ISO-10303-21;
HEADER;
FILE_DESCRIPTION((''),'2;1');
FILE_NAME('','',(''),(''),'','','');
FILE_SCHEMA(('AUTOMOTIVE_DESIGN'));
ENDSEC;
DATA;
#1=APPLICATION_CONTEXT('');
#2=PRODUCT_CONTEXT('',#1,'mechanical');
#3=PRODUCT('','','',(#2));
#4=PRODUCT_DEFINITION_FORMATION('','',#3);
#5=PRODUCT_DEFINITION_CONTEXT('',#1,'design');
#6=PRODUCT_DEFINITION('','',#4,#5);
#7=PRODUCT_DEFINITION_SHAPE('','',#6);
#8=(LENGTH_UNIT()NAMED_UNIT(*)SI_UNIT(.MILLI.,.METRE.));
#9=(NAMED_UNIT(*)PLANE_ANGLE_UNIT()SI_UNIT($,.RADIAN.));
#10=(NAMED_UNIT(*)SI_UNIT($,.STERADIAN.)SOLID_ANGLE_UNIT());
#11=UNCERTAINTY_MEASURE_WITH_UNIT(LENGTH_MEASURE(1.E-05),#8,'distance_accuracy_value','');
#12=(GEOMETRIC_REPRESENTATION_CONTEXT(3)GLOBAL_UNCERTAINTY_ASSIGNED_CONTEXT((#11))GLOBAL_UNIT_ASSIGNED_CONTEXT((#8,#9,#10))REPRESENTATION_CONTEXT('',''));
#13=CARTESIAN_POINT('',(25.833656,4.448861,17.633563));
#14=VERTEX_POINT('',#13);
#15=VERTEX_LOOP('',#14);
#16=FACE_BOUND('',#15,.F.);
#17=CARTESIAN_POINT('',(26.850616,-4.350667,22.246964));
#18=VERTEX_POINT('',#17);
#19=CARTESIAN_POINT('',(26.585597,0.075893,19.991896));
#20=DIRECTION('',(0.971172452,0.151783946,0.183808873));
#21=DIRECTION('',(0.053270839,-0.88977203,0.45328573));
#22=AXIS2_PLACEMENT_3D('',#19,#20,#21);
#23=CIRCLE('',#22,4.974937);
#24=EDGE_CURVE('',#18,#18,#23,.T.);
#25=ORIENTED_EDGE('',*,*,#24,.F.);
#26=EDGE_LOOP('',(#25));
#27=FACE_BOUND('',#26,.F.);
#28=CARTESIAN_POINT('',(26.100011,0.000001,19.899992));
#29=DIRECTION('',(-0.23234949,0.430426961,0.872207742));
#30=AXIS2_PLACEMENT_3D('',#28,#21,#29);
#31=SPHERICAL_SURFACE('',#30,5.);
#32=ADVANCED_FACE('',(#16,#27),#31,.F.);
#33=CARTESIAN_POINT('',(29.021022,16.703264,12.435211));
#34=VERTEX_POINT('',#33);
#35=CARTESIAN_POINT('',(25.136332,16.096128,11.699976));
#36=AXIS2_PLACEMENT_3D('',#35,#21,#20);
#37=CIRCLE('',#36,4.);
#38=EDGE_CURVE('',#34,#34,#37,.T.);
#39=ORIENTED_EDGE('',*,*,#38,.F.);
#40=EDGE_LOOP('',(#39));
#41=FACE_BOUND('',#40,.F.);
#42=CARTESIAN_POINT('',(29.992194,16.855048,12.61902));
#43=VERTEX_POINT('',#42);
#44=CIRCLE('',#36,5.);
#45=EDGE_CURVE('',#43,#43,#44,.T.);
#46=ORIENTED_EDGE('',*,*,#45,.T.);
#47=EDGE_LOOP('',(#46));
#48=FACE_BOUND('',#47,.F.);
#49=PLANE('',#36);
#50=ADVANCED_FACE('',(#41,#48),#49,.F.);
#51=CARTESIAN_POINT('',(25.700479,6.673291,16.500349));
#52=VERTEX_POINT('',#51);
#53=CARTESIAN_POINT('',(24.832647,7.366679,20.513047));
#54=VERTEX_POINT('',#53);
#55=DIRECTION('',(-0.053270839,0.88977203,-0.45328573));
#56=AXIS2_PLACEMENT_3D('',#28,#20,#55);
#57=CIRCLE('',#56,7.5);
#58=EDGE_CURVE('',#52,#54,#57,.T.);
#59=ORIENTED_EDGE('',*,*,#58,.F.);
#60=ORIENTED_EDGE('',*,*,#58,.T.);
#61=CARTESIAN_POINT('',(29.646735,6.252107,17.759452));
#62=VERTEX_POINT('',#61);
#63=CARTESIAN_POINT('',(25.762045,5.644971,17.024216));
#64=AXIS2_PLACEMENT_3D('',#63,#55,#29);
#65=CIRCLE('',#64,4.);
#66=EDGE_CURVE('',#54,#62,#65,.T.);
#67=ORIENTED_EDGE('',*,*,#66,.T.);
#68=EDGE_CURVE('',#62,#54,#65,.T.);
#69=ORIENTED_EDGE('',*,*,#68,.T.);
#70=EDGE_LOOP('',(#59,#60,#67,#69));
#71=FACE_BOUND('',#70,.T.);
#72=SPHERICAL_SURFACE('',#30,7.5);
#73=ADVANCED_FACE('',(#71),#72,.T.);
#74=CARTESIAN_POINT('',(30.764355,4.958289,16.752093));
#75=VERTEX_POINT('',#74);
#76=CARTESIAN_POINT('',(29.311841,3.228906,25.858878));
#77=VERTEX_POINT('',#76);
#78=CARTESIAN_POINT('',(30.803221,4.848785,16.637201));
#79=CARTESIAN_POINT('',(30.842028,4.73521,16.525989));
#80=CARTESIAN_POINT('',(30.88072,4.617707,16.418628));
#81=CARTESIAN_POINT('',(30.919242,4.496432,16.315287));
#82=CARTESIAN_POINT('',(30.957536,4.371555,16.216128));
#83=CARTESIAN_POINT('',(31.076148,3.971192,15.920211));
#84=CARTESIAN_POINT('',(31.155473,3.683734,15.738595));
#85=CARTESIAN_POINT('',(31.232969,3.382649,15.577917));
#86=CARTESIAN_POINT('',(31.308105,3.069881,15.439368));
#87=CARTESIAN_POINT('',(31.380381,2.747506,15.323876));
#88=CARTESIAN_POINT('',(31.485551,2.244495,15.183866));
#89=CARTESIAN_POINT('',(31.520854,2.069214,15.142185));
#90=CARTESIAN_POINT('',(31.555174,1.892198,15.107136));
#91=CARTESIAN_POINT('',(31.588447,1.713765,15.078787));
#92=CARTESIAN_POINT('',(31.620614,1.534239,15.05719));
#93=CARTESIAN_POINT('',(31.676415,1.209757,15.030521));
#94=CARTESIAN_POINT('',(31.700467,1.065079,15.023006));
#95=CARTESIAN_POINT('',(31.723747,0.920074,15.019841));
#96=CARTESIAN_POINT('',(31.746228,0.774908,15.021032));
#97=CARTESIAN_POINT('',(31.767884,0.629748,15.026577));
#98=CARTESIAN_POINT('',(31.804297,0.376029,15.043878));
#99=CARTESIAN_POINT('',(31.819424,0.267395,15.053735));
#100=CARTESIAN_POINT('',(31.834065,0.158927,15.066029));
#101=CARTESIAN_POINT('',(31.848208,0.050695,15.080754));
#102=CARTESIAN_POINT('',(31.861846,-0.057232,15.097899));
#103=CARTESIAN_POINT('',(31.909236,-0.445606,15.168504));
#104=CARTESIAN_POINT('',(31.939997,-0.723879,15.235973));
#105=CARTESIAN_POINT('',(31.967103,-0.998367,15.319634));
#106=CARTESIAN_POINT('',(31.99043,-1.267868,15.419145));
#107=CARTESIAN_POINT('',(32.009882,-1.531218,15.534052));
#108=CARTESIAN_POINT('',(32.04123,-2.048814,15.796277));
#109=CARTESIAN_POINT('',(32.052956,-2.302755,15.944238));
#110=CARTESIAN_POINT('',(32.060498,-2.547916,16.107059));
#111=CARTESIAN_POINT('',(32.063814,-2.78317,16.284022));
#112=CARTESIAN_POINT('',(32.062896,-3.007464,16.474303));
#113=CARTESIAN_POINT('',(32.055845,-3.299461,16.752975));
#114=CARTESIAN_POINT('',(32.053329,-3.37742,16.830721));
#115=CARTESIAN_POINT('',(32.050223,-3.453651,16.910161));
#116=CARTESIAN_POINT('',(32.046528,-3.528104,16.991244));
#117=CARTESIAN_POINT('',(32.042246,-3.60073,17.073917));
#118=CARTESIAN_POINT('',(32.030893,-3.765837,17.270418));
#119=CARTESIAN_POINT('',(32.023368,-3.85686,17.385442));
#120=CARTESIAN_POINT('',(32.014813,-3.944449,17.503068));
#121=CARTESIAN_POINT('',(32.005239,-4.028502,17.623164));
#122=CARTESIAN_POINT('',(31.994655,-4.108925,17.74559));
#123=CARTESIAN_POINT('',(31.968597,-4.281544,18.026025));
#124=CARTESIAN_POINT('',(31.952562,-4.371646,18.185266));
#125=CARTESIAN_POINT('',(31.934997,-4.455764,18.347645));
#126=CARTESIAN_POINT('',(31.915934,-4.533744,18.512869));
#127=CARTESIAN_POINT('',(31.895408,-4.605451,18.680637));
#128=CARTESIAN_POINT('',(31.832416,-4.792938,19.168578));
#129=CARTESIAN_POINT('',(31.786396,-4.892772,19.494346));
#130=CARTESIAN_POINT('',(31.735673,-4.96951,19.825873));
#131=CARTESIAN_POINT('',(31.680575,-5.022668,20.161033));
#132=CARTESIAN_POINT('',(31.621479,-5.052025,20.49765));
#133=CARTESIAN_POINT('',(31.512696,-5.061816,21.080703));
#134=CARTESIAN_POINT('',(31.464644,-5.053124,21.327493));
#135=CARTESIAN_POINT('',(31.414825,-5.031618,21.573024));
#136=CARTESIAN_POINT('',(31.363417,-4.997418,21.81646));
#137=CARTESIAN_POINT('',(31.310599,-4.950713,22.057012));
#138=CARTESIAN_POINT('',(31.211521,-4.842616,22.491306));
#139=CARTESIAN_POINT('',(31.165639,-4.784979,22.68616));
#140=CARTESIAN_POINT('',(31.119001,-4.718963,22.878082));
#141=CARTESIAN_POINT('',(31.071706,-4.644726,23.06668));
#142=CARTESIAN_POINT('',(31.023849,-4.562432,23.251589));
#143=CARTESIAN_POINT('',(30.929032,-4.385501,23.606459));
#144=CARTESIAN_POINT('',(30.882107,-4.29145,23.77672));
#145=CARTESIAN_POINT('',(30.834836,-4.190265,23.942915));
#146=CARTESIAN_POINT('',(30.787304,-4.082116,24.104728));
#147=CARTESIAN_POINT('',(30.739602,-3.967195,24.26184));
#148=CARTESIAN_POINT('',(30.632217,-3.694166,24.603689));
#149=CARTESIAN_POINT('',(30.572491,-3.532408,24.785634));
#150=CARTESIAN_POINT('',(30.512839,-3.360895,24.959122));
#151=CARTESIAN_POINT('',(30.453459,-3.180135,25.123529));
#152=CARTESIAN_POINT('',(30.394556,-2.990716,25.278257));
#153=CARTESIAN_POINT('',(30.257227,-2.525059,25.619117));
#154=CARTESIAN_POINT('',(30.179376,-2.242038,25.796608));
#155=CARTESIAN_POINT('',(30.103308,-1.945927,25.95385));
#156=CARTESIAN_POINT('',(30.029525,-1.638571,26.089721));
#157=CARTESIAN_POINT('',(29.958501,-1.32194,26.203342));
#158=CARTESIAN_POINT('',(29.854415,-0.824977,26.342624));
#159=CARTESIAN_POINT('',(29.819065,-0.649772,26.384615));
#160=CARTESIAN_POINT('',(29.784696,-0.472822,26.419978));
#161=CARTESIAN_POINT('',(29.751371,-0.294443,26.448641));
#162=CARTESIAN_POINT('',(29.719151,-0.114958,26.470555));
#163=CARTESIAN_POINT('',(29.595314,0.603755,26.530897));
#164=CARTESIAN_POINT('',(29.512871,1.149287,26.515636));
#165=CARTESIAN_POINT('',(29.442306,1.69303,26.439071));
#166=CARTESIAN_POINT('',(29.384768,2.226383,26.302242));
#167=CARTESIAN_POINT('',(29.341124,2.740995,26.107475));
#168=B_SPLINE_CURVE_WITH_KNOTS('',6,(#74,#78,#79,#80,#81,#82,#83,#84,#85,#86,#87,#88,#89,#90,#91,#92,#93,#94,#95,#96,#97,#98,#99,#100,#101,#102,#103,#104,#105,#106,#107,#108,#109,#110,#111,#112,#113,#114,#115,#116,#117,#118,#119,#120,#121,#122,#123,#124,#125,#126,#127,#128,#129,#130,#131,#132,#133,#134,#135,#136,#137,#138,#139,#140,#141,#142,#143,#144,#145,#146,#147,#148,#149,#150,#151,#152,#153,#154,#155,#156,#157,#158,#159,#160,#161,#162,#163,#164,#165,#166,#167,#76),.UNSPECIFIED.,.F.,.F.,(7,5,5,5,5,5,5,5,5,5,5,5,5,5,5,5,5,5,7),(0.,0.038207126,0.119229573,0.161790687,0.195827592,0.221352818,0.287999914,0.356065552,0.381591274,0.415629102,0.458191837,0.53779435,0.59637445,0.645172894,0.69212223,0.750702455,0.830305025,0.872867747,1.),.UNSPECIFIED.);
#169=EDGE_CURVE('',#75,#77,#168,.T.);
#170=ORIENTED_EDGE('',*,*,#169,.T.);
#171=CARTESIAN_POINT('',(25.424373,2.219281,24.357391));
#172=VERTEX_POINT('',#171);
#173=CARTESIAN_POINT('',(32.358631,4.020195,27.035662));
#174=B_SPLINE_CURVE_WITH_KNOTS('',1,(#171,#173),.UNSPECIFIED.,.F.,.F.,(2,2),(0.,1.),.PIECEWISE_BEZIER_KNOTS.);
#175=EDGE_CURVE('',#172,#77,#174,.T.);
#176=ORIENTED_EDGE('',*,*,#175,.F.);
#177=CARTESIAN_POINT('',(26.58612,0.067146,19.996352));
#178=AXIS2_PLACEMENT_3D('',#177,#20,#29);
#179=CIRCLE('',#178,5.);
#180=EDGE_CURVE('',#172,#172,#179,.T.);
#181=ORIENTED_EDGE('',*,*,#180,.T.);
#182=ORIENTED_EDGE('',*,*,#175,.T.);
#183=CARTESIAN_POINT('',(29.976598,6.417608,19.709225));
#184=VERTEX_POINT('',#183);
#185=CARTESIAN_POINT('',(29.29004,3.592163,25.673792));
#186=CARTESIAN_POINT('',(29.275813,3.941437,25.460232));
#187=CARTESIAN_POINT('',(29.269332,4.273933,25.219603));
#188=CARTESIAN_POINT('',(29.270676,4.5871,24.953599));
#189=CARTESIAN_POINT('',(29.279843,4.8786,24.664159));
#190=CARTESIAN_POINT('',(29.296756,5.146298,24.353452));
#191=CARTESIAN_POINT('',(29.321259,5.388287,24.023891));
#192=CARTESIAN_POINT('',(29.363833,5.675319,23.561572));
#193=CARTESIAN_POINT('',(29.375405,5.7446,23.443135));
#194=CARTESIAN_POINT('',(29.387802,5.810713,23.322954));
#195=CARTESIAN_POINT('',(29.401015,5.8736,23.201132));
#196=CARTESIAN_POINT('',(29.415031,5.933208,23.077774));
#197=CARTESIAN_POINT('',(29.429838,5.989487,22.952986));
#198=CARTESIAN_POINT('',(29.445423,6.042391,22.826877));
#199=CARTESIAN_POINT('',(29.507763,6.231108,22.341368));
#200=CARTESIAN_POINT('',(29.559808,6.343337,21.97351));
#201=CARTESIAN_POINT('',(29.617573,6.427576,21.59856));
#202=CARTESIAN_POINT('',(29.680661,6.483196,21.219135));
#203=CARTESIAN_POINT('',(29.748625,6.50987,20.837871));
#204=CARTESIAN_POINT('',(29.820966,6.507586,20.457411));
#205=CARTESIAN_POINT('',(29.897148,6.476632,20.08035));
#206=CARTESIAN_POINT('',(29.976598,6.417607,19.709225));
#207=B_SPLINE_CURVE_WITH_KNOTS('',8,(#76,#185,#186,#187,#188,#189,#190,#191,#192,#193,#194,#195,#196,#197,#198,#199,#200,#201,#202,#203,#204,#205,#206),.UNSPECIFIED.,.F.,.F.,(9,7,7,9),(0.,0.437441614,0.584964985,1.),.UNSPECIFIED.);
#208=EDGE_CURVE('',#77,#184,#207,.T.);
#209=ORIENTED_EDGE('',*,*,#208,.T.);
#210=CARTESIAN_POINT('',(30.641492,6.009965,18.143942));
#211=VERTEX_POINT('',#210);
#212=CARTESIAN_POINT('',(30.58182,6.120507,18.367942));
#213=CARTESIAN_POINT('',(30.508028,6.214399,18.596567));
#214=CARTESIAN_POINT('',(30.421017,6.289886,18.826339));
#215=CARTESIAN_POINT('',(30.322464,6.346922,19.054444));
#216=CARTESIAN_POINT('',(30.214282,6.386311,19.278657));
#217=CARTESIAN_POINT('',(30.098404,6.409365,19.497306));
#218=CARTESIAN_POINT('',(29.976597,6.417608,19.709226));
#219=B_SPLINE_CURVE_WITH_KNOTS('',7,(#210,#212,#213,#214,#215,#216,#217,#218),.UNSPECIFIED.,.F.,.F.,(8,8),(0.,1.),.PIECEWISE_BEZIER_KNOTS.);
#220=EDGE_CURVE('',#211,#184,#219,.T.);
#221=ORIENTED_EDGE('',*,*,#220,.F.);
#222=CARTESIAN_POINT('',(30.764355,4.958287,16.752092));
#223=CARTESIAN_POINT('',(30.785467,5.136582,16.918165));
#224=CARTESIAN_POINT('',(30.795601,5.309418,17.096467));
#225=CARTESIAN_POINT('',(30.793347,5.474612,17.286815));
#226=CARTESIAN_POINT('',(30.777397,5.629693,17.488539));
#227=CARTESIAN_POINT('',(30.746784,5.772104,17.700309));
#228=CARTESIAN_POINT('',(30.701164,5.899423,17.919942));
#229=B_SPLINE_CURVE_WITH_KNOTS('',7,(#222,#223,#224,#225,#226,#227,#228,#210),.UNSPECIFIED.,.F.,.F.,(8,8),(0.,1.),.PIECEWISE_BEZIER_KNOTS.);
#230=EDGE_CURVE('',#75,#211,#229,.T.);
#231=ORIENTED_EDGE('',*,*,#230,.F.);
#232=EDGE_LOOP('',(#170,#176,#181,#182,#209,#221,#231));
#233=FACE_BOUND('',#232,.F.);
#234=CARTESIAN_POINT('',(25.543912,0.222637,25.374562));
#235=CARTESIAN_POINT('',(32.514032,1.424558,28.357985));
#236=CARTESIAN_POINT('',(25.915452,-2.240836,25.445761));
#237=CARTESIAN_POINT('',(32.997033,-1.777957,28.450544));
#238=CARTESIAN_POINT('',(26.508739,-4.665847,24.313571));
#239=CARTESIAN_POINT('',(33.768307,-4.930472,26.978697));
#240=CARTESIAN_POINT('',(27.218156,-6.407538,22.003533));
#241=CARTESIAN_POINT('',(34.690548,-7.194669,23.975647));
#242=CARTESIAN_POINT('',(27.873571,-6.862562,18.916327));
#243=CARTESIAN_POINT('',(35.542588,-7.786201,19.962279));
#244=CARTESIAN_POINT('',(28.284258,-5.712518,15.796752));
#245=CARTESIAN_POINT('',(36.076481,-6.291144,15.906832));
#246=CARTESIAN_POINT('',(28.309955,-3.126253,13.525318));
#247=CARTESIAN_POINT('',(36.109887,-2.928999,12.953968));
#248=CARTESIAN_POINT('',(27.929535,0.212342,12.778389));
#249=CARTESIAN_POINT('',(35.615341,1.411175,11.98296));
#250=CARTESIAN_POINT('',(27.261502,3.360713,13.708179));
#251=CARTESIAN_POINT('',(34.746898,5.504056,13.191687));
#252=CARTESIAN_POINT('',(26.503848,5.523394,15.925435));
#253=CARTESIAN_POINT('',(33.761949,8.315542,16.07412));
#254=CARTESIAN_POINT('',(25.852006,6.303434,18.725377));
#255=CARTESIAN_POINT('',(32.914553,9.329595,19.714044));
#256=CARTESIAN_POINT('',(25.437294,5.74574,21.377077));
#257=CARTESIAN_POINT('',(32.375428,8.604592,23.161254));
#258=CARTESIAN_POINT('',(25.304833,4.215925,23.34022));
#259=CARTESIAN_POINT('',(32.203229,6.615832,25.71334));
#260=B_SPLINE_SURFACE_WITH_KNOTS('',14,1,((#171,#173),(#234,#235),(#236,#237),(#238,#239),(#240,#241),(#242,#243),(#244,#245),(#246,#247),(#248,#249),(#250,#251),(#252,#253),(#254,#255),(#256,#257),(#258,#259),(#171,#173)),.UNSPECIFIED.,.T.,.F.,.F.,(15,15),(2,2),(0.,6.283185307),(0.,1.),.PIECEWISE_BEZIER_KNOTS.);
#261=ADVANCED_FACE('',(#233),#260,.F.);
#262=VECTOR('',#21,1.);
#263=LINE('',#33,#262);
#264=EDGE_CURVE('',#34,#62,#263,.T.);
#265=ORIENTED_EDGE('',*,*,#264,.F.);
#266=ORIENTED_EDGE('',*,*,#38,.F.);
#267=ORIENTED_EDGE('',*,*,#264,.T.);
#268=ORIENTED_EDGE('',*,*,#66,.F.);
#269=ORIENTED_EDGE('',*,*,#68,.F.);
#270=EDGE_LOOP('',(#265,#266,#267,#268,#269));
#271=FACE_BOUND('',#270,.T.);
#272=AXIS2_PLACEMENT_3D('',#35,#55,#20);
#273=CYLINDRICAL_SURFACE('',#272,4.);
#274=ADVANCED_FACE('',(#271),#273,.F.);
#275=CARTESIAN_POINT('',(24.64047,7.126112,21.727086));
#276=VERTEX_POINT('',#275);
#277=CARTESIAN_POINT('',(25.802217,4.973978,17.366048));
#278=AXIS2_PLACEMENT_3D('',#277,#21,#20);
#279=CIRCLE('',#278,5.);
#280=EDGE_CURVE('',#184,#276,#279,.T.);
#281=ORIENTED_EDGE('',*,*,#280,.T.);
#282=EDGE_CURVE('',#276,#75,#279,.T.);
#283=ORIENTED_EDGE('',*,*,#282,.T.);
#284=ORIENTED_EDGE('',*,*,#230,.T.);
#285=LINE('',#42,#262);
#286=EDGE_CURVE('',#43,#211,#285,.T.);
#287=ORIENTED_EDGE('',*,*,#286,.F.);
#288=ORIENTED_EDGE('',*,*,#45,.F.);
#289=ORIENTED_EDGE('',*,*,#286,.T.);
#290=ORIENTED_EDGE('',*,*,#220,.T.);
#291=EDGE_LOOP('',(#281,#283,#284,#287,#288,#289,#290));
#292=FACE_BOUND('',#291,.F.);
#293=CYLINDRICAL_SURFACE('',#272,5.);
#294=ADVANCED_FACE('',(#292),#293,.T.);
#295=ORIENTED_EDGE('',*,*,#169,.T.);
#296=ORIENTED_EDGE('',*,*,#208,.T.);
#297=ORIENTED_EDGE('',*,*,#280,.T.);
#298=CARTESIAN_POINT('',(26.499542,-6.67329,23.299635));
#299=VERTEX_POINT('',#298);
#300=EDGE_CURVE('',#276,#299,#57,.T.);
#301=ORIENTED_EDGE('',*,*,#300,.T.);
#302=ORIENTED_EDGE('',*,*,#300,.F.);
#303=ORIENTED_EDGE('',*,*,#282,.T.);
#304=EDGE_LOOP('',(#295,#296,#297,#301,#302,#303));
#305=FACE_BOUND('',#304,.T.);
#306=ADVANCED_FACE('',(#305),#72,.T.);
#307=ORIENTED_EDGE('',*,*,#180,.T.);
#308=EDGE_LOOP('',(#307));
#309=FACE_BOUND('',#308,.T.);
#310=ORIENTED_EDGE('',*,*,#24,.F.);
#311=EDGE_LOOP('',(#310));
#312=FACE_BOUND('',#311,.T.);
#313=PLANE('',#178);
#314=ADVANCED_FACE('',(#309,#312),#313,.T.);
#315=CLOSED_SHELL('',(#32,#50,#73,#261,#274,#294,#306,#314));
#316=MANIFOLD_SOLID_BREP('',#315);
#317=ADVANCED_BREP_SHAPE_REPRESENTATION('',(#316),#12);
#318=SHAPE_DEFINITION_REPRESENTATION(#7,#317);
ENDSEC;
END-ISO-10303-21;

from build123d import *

# Parameters (mm, degrees)
SKETCH004_R             = 5
SKETCH004_R_2           = 4
PAD002_DEPTH            = 12.5
SKETCH006_R             = 5
SKETCH007_R             = 6.5
BODY001_ROLL_ANGLE      = 62.539133
BODY001_PITCH_ANGLE     = -10.591695
BODY001_PLACEMENT_ANGLE = 8.882862


with BuildPart() as part:
    # Sketch004 → Pad002 (new body)
    with BuildSketch(Plane.XY):
        Circle(SKETCH004_R)
        Circle(SKETCH004_R_2, mode=Mode.SUBTRACT)
    extrude(amount=PAD002_DEPTH)

    # Sketch005 → Revolution002 (revolve)
    with BuildSketch(Plane.YZ):
        with BuildLine():
            ThreePointArc((0, 10.59017), (7.5, 18.09017), (0, 25.59017))
            Line((0, 25.59017), (0, 23.09017))
            ThreePointArc((0, 13.09017), (5, 18.09017), (0, 23.09017))
            Line((0, 13.09017), (0, 10.59017))
        make_face()
    revolve(axis=Axis((0, 0, 0), (0, 0, 1)))

    # Sketch006 (on DatumPlane) → SubtractiveLoft section 0
    with BuildSketch(Plane.YZ.offset(0.5)):
        with Locations((0, 18.1)):
            Circle(SKETCH006_R)
    # Sketch007 (on DatumPlane) → SubtractiveLoft section 1
    with BuildSketch(Plane.YZ.offset(8)):
        with Locations((0, 18.081013)):
            Circle(SKETCH007_R)
    loft(mode=Mode.SUBTRACT)


with BuildPart() as part_1:
    # Body001 roll: moved
    add(part.part.rotate(Axis((0, 0, 0), (1, 0, 0)), BODY001_ROLL_ANGLE))


with BuildPart() as part_2:
    # Body001 pitch: moved
    add(part_1.part.rotate(Axis((0, 0, 0), (0, 1, 0)), BODY001_PITCH_ANGLE))


with BuildPart() as part_3:
    # Body001 placement: moved
    add(part_2.part.moved(Location((25.136332, 16.096128, 11.699976))).rotate(Axis((25.136332, 16.096128, 11.699976), (0, 0, 1)), BODY001_PLACEMENT_ANGLE))


solid = part_3.part
